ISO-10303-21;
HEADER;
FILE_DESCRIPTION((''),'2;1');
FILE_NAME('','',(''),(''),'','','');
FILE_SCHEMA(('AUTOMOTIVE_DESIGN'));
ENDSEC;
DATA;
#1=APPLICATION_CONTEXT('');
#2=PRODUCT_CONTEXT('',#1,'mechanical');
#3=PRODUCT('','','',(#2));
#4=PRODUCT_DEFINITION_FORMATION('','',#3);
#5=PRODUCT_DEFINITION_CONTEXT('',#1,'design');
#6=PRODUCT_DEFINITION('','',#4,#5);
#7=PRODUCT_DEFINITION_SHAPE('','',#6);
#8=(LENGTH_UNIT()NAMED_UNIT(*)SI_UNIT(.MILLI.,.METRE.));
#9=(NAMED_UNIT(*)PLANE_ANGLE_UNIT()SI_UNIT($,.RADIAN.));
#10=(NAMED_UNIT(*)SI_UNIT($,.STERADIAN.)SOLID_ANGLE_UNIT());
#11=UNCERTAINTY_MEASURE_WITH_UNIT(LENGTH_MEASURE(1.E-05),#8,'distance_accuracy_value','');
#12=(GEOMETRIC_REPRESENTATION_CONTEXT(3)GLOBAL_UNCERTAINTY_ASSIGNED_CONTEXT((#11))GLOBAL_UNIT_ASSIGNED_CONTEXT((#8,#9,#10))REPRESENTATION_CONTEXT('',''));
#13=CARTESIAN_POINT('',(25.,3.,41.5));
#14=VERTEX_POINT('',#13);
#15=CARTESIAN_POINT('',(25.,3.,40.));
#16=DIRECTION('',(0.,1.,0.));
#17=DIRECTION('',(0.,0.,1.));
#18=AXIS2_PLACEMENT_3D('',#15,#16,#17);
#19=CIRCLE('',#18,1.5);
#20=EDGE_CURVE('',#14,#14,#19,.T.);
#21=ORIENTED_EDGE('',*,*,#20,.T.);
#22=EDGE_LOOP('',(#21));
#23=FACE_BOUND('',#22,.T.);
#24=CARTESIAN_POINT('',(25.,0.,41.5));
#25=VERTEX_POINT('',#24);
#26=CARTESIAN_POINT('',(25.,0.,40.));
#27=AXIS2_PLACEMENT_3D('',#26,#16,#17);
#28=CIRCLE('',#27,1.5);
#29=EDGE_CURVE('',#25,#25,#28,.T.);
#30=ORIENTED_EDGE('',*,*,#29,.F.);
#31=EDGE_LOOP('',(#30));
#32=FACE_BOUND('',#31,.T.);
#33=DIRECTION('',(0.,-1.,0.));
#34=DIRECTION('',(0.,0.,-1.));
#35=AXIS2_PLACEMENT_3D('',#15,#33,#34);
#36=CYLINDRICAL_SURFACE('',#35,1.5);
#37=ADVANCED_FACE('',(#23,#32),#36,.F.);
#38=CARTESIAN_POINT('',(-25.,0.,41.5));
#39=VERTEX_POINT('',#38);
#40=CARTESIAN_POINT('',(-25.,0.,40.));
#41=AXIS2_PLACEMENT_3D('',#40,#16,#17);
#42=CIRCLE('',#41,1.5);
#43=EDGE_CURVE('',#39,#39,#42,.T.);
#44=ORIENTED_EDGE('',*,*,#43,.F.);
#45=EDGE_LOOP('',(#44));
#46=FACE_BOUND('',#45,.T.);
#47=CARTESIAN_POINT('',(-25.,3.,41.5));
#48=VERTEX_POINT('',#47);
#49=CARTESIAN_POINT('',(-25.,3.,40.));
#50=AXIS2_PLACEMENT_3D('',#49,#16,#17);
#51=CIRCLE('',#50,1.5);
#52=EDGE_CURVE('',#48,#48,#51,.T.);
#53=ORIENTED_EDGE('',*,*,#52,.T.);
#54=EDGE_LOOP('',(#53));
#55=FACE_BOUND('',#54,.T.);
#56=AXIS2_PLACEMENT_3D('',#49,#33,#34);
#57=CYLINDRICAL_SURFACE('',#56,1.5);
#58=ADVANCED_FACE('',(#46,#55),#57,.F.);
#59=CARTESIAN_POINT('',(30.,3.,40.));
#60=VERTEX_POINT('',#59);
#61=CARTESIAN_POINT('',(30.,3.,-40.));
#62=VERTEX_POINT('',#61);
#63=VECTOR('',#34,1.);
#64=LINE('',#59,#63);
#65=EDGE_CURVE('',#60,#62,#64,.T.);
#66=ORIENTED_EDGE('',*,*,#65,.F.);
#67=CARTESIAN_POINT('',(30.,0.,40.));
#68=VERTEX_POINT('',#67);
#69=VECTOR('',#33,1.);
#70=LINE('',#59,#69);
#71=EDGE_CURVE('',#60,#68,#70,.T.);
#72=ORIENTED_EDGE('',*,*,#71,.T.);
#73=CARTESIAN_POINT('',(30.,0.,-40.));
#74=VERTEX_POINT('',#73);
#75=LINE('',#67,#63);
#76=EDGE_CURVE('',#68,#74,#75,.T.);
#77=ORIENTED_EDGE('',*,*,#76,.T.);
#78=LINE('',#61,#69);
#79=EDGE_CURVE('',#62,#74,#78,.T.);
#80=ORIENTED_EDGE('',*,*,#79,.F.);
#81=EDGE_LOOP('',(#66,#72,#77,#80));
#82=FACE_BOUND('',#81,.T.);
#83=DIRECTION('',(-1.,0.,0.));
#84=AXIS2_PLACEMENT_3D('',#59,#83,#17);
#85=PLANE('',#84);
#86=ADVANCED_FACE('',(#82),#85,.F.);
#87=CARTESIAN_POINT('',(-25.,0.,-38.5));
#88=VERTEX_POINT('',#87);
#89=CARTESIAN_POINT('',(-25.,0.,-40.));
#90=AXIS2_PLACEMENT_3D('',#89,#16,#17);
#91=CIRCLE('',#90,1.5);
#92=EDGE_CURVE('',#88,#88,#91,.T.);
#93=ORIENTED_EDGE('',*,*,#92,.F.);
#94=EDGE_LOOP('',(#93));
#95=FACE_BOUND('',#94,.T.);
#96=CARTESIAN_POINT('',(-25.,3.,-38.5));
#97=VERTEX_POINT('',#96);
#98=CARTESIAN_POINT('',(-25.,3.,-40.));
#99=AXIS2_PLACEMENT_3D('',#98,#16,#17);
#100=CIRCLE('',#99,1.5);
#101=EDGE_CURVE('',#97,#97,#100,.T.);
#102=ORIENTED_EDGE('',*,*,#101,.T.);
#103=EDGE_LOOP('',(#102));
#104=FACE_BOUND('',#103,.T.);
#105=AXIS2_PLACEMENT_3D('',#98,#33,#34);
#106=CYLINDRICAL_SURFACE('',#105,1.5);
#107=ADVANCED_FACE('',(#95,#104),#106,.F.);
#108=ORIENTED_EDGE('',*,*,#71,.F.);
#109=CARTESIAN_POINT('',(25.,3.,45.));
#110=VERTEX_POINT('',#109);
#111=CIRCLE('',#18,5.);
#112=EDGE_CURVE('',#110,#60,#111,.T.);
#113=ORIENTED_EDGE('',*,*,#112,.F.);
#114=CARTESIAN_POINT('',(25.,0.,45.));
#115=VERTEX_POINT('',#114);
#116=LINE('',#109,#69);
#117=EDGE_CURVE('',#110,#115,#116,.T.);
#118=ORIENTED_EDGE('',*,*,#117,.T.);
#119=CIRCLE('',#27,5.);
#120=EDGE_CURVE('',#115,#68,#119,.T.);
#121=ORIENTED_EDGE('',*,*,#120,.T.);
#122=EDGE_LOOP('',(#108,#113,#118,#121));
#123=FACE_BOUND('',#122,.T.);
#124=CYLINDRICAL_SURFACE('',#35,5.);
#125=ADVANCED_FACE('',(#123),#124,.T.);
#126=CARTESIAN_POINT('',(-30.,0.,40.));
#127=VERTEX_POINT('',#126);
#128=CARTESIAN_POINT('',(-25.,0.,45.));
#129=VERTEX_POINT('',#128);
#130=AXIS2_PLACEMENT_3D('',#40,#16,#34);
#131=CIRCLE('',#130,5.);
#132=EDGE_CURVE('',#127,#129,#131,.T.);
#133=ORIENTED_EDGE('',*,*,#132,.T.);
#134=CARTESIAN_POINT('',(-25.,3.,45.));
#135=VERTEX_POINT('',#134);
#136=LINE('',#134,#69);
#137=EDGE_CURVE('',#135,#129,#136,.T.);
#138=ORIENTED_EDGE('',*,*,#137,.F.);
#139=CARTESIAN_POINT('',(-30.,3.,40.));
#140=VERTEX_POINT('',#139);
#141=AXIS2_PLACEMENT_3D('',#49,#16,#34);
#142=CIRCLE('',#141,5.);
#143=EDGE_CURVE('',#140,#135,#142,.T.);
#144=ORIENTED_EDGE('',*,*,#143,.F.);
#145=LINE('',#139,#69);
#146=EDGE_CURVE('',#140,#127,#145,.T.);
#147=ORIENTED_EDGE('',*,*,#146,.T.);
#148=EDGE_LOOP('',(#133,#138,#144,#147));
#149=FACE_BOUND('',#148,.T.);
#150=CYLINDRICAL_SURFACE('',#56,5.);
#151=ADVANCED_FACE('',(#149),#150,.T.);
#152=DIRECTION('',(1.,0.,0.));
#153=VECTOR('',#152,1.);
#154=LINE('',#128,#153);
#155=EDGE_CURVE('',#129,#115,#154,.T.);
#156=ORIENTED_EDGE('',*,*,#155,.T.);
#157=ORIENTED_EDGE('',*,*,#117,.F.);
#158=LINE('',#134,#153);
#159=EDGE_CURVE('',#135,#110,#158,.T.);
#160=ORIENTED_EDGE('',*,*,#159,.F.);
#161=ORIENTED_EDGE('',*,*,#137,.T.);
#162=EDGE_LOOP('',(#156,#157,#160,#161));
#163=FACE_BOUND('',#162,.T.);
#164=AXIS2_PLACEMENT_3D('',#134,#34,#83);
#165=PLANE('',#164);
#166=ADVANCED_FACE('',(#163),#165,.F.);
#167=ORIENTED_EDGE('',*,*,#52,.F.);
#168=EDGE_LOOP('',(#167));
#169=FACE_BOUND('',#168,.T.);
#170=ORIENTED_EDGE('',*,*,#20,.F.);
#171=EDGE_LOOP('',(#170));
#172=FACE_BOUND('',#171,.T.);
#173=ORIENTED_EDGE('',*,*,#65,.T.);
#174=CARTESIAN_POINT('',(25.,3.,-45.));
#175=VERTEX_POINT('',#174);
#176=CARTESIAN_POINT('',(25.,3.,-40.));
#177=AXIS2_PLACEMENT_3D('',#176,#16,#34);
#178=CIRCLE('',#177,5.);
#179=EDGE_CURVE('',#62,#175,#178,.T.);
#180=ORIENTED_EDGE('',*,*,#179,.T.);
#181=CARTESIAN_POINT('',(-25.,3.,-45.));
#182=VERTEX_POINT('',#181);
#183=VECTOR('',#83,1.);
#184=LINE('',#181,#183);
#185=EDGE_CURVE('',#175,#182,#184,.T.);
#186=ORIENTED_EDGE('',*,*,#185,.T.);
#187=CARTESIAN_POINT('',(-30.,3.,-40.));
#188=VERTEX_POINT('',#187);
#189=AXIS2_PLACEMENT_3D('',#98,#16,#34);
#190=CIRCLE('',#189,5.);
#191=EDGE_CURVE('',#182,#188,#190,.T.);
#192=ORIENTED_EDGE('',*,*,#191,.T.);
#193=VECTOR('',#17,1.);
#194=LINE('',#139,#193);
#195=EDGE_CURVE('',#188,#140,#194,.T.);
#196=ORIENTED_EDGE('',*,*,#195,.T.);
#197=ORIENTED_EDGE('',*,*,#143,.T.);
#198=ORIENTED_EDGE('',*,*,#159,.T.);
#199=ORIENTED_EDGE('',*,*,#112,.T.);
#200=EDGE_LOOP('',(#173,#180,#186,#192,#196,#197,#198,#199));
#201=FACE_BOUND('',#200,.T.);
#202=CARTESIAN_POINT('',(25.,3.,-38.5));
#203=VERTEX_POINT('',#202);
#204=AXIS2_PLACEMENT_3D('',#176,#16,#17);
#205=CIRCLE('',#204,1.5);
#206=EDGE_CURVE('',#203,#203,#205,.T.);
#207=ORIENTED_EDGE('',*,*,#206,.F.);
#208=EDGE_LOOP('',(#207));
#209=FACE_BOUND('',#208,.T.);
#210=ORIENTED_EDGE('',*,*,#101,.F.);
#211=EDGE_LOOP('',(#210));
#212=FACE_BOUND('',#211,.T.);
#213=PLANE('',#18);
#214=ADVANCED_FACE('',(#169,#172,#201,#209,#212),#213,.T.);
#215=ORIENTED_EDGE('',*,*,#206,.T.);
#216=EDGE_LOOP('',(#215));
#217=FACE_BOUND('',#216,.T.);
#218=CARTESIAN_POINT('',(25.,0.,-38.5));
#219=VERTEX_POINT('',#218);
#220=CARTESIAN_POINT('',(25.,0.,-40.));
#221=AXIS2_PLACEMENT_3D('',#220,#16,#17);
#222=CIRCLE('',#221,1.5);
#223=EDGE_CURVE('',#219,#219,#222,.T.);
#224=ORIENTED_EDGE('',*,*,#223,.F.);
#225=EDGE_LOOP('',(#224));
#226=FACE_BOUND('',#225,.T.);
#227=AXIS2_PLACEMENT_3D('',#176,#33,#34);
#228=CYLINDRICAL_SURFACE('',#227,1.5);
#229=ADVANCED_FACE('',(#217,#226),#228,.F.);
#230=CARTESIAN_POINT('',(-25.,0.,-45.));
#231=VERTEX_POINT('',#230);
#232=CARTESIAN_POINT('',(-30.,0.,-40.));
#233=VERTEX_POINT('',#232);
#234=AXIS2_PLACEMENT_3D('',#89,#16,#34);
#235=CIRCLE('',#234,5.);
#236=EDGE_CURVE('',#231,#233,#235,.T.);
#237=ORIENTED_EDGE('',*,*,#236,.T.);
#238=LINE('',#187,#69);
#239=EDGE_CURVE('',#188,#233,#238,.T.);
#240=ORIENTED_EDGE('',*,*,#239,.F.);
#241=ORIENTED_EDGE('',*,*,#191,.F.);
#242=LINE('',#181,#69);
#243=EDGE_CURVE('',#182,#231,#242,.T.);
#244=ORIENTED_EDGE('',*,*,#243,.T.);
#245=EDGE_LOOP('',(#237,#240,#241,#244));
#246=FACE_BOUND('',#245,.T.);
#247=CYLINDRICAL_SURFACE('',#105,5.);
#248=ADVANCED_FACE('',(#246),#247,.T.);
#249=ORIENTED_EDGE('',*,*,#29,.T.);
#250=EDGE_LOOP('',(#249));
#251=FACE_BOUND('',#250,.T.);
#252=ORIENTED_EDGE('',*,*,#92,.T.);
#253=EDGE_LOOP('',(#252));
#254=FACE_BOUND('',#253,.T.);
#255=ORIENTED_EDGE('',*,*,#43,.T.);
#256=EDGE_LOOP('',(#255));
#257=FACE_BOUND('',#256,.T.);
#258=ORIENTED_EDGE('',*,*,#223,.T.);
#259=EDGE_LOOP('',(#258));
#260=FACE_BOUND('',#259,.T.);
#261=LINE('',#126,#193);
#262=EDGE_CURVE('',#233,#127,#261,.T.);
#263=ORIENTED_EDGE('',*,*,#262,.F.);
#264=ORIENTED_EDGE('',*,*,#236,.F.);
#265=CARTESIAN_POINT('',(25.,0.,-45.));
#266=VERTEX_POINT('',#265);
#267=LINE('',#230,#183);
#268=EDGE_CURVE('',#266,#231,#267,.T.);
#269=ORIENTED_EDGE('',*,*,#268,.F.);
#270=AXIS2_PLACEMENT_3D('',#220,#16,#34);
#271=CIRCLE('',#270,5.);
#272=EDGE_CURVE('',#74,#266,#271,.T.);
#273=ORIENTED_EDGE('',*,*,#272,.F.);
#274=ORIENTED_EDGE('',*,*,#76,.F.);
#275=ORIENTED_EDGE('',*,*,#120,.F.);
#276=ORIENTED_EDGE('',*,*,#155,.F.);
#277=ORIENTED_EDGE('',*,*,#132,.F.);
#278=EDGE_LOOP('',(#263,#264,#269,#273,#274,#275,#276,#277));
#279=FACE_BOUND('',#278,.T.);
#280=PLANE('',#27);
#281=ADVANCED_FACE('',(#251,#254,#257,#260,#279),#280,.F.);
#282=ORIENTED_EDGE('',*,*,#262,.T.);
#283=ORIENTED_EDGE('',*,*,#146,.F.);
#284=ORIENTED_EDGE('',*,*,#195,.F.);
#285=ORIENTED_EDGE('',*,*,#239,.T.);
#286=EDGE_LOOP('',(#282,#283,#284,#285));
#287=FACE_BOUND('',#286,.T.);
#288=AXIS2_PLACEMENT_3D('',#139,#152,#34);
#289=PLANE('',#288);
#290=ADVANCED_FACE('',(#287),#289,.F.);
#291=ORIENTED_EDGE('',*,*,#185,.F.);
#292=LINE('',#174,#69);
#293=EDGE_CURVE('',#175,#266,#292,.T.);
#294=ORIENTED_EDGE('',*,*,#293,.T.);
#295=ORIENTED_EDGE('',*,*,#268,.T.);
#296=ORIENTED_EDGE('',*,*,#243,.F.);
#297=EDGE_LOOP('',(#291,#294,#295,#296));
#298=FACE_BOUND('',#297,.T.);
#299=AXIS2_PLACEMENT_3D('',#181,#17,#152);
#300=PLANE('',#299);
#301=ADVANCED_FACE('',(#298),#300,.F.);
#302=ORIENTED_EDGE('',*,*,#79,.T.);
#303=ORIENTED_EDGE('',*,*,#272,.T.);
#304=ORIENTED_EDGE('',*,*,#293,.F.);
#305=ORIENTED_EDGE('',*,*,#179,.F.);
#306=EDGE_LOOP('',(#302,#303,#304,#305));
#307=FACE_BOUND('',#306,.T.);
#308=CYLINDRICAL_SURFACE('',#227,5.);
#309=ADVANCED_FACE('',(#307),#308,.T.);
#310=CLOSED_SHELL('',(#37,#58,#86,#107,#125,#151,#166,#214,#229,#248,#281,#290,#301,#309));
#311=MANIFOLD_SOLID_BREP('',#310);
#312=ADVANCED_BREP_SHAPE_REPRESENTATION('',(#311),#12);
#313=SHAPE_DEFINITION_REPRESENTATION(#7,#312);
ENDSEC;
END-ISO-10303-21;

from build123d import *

# Parameters (mm, degrees)
SKETCH_1_R      = 1.5
EXTRUDE_1_DEPTH = 3


with BuildPart() as part:
    # 草圖1 → 填料-伸長1 (new body)
    with BuildSketch(Plane(origin=(0, 0, 0), x_dir=(1, 0, 0), z_dir=(0, 1, 0))):
        with BuildLine():
            Line((-25, -45), (25, -45))
            ThreePointArc((25, -45), (28.535533906, -43.535533906), (30, -40))
            Line((30, -40), (30, 40))
            ThreePointArc((30, 40), (28.535533906, 43.535533906), (25, 45))
            Line((25, 45), (-25, 45))
            ThreePointArc((-25, 45), (-28.535533906, 43.535533906), (-30, 40))
            Line((-30, 40), (-30, -40))
            ThreePointArc((-30, -40), (-28.535533906, -43.535533906), (-25, -45))
        make_face()
        with Locations(Location((-25, 40, 0), (0, 0, 270))):
            Circle(SKETCH_1_R, mode=Mode.SUBTRACT)
        with Locations(Location((25, 40, 0), (0, 0, 270))):
            Circle(SKETCH_1_R, mode=Mode.SUBTRACT)
        with Locations(Location((-25, -40, 0), (0, 0, 270))):
            Circle(SKETCH_1_R, mode=Mode.SUBTRACT)
        with Locations(Location((25, -40, 0), (0, 0, 270))):
            Circle(SKETCH_1_R, mode=Mode.SUBTRACT)
    extrude(amount=EXTRUDE_1_DEPTH)


solid = part.part
